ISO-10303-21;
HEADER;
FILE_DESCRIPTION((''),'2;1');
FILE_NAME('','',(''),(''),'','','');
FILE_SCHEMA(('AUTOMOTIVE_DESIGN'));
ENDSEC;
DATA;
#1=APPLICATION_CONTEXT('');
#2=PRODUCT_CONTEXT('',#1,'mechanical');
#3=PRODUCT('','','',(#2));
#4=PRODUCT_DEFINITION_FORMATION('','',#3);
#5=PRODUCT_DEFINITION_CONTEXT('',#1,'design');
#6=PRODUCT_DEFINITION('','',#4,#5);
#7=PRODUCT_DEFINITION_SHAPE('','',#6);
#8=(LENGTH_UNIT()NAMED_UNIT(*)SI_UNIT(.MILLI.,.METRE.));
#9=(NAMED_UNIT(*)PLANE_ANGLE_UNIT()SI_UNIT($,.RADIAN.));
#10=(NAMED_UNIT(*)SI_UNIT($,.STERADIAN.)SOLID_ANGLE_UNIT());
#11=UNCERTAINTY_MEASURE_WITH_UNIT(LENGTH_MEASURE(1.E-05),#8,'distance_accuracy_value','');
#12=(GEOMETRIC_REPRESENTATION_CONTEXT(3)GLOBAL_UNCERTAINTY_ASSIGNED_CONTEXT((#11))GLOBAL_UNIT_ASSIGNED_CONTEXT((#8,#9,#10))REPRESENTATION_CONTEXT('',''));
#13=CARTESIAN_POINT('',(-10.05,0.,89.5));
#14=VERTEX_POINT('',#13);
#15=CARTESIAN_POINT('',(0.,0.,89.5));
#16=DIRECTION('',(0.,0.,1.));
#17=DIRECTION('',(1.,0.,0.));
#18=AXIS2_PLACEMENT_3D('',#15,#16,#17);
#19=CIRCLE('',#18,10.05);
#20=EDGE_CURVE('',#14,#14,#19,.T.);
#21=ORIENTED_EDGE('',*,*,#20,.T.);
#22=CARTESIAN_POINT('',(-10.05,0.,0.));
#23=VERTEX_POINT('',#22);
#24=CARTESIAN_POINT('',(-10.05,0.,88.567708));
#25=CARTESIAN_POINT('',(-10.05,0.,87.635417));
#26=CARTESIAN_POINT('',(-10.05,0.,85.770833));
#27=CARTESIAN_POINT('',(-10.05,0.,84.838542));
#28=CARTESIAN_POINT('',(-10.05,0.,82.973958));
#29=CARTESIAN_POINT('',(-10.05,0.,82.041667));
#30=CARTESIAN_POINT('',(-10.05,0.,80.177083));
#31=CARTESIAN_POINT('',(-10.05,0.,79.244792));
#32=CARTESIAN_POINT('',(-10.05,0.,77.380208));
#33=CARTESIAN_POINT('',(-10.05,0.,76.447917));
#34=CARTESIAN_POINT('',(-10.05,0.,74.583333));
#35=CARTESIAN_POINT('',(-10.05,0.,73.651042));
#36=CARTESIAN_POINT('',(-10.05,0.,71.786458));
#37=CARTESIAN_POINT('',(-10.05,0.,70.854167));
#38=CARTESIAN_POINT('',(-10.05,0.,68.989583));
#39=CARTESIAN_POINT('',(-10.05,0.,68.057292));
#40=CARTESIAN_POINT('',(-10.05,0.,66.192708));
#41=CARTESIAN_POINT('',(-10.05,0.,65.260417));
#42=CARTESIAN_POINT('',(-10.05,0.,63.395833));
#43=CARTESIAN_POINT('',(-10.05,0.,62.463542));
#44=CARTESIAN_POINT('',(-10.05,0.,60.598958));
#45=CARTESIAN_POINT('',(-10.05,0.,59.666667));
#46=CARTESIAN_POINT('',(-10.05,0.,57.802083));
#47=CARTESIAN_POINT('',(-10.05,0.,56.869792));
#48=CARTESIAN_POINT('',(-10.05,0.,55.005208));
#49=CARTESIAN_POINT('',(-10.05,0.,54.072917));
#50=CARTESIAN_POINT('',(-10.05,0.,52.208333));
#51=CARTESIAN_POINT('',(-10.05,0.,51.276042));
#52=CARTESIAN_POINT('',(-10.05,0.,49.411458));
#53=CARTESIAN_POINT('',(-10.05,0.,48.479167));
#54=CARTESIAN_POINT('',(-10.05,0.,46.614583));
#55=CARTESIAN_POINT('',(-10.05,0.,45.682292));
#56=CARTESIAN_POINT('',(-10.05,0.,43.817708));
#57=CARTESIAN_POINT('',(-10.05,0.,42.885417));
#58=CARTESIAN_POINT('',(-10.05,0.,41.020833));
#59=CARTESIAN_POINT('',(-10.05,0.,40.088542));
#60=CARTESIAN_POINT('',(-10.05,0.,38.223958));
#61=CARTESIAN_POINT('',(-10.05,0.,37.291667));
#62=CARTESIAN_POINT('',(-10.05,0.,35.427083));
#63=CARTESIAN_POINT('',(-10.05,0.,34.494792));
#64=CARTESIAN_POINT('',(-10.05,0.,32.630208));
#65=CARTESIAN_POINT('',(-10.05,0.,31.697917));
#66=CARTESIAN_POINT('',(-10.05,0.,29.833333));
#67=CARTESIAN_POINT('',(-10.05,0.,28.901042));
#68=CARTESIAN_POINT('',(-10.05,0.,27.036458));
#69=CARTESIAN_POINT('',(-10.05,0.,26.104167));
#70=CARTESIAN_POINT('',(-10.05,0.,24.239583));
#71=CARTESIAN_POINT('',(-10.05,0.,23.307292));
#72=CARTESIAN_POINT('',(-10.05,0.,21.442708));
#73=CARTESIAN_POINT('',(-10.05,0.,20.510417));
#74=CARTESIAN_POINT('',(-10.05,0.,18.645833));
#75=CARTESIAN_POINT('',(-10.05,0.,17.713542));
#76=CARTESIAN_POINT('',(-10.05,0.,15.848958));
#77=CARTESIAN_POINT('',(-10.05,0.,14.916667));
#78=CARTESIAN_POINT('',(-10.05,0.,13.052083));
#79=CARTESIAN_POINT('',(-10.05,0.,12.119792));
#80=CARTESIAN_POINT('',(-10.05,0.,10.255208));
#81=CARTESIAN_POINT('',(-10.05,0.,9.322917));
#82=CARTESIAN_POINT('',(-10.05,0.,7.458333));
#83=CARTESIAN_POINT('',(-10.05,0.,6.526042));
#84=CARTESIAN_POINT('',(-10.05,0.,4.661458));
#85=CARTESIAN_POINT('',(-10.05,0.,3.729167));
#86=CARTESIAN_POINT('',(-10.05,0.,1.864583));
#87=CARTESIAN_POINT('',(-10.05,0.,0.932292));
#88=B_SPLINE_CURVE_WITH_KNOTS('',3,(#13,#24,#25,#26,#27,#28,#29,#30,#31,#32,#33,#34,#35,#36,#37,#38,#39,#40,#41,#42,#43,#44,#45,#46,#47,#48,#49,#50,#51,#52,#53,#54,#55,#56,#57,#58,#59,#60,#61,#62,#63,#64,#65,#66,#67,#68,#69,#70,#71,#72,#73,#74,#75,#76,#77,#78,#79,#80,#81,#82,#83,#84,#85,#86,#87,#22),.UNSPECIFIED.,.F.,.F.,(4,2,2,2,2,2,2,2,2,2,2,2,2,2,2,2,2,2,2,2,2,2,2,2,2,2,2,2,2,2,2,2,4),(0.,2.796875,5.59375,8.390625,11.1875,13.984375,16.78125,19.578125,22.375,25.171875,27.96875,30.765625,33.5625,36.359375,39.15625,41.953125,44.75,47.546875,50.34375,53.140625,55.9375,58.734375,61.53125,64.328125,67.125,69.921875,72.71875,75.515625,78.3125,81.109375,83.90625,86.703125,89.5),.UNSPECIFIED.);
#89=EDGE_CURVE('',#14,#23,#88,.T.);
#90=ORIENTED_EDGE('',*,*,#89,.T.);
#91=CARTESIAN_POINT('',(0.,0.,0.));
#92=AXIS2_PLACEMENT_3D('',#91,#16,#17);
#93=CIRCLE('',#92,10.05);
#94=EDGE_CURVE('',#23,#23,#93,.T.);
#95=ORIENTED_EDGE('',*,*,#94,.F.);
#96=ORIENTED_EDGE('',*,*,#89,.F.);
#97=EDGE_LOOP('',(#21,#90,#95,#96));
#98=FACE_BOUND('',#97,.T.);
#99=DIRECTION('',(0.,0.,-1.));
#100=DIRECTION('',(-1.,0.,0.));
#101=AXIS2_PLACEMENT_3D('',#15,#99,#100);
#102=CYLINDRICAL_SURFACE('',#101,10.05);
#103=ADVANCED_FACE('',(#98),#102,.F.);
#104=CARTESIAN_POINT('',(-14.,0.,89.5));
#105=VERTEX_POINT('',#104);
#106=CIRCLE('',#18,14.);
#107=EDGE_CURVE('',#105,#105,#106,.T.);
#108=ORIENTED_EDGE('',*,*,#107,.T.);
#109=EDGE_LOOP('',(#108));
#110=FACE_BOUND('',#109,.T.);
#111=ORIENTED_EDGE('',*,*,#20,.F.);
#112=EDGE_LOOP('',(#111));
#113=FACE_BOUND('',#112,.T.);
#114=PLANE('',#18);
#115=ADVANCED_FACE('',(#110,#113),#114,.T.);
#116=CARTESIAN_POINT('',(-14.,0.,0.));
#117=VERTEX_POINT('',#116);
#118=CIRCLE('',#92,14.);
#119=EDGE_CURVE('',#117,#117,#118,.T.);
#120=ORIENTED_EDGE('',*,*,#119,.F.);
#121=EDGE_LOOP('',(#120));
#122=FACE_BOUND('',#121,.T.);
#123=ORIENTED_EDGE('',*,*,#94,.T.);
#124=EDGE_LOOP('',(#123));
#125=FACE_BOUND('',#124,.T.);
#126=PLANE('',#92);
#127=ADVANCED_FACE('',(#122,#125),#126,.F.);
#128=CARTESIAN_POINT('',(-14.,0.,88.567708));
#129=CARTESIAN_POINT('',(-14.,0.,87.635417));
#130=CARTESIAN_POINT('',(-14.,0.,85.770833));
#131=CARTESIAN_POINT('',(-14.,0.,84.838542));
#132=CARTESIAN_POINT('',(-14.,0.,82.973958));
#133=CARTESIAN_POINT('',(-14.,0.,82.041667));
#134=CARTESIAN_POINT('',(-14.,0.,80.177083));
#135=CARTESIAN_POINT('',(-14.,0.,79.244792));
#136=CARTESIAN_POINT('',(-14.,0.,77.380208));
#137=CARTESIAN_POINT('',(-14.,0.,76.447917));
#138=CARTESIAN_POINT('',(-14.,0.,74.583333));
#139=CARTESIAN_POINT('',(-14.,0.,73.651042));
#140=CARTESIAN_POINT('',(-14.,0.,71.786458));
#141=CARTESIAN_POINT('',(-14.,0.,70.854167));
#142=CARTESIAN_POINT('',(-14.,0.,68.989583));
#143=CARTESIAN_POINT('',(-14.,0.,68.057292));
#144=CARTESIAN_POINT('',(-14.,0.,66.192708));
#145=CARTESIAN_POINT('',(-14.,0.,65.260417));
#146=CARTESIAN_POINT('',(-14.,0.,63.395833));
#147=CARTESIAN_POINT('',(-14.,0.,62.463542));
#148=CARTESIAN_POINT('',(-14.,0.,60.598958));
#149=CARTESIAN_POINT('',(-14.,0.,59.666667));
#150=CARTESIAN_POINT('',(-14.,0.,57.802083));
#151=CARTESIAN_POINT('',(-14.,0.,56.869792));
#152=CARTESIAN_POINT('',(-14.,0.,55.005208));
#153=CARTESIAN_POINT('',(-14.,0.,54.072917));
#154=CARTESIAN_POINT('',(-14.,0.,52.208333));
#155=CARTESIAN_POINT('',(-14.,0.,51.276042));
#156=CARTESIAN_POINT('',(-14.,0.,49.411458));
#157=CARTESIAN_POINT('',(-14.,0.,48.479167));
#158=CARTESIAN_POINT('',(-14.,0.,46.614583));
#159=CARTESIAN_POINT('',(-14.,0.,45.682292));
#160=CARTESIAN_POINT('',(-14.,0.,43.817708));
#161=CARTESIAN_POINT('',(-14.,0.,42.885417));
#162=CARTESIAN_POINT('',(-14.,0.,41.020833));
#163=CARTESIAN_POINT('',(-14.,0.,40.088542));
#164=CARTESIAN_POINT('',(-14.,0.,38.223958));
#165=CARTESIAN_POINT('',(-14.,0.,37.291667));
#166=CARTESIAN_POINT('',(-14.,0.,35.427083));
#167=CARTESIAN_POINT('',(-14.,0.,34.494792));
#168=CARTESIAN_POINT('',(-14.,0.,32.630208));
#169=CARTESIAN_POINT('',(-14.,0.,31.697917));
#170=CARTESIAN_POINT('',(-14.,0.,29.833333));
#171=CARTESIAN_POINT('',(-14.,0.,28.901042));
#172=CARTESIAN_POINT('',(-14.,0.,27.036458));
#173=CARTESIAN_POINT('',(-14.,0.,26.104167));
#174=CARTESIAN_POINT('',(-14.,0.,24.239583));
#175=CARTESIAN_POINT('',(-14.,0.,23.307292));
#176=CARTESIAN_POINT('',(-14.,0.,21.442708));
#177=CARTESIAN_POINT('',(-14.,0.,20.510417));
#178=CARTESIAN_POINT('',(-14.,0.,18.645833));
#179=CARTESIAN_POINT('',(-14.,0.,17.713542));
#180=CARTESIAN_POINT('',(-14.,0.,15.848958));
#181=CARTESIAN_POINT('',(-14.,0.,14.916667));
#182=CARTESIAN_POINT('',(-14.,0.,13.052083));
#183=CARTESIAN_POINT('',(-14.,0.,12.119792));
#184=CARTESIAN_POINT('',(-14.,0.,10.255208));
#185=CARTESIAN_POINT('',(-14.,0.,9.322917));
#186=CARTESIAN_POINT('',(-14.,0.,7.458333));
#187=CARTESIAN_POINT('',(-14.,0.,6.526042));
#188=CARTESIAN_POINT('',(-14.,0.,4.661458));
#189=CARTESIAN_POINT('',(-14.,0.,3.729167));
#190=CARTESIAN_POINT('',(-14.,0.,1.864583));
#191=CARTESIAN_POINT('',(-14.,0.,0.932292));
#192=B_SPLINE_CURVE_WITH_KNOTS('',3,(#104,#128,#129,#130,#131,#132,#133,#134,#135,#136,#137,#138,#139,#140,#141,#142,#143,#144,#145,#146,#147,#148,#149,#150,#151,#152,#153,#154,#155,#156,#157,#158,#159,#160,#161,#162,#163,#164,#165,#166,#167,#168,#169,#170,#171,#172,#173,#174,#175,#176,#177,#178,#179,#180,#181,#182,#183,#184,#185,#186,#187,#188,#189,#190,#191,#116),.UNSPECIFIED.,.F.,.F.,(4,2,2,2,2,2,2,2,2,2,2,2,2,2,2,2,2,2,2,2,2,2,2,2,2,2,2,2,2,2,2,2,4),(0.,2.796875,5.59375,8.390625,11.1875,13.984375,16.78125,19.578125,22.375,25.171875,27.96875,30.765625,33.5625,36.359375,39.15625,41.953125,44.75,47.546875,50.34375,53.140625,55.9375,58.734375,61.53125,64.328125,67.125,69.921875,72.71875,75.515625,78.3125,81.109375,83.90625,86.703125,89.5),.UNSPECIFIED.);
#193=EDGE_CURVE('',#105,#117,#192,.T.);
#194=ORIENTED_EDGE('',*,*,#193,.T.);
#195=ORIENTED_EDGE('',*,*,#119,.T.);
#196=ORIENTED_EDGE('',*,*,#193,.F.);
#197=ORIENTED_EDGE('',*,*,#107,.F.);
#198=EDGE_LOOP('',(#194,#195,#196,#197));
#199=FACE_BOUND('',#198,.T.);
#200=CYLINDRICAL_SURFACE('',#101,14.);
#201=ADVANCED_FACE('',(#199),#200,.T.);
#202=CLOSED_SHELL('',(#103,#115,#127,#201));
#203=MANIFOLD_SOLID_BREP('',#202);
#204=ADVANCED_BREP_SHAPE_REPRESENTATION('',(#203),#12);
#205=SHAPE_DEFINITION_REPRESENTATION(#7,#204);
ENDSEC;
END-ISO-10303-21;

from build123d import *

# Parameters (mm, degrees)
SKETCH2_R      = 14
SKETCH2_R_2    = 10.05
EXTRUDE1_DEPTH = 89.5


with BuildPart() as part:
    # Sketch2 → Extrude1 (new body)
    with BuildSketch(Plane.XY):
        with Locations(Location((0, 0, 0), (0, 0, 180))):
            Circle(SKETCH2_R)
        with Locations(Location((0, 0, 0), (0, 0, 180))):
            Circle(SKETCH2_R_2, mode=Mode.SUBTRACT)
    extrude(amount=EXTRUDE1_DEPTH)


solid = part.part
